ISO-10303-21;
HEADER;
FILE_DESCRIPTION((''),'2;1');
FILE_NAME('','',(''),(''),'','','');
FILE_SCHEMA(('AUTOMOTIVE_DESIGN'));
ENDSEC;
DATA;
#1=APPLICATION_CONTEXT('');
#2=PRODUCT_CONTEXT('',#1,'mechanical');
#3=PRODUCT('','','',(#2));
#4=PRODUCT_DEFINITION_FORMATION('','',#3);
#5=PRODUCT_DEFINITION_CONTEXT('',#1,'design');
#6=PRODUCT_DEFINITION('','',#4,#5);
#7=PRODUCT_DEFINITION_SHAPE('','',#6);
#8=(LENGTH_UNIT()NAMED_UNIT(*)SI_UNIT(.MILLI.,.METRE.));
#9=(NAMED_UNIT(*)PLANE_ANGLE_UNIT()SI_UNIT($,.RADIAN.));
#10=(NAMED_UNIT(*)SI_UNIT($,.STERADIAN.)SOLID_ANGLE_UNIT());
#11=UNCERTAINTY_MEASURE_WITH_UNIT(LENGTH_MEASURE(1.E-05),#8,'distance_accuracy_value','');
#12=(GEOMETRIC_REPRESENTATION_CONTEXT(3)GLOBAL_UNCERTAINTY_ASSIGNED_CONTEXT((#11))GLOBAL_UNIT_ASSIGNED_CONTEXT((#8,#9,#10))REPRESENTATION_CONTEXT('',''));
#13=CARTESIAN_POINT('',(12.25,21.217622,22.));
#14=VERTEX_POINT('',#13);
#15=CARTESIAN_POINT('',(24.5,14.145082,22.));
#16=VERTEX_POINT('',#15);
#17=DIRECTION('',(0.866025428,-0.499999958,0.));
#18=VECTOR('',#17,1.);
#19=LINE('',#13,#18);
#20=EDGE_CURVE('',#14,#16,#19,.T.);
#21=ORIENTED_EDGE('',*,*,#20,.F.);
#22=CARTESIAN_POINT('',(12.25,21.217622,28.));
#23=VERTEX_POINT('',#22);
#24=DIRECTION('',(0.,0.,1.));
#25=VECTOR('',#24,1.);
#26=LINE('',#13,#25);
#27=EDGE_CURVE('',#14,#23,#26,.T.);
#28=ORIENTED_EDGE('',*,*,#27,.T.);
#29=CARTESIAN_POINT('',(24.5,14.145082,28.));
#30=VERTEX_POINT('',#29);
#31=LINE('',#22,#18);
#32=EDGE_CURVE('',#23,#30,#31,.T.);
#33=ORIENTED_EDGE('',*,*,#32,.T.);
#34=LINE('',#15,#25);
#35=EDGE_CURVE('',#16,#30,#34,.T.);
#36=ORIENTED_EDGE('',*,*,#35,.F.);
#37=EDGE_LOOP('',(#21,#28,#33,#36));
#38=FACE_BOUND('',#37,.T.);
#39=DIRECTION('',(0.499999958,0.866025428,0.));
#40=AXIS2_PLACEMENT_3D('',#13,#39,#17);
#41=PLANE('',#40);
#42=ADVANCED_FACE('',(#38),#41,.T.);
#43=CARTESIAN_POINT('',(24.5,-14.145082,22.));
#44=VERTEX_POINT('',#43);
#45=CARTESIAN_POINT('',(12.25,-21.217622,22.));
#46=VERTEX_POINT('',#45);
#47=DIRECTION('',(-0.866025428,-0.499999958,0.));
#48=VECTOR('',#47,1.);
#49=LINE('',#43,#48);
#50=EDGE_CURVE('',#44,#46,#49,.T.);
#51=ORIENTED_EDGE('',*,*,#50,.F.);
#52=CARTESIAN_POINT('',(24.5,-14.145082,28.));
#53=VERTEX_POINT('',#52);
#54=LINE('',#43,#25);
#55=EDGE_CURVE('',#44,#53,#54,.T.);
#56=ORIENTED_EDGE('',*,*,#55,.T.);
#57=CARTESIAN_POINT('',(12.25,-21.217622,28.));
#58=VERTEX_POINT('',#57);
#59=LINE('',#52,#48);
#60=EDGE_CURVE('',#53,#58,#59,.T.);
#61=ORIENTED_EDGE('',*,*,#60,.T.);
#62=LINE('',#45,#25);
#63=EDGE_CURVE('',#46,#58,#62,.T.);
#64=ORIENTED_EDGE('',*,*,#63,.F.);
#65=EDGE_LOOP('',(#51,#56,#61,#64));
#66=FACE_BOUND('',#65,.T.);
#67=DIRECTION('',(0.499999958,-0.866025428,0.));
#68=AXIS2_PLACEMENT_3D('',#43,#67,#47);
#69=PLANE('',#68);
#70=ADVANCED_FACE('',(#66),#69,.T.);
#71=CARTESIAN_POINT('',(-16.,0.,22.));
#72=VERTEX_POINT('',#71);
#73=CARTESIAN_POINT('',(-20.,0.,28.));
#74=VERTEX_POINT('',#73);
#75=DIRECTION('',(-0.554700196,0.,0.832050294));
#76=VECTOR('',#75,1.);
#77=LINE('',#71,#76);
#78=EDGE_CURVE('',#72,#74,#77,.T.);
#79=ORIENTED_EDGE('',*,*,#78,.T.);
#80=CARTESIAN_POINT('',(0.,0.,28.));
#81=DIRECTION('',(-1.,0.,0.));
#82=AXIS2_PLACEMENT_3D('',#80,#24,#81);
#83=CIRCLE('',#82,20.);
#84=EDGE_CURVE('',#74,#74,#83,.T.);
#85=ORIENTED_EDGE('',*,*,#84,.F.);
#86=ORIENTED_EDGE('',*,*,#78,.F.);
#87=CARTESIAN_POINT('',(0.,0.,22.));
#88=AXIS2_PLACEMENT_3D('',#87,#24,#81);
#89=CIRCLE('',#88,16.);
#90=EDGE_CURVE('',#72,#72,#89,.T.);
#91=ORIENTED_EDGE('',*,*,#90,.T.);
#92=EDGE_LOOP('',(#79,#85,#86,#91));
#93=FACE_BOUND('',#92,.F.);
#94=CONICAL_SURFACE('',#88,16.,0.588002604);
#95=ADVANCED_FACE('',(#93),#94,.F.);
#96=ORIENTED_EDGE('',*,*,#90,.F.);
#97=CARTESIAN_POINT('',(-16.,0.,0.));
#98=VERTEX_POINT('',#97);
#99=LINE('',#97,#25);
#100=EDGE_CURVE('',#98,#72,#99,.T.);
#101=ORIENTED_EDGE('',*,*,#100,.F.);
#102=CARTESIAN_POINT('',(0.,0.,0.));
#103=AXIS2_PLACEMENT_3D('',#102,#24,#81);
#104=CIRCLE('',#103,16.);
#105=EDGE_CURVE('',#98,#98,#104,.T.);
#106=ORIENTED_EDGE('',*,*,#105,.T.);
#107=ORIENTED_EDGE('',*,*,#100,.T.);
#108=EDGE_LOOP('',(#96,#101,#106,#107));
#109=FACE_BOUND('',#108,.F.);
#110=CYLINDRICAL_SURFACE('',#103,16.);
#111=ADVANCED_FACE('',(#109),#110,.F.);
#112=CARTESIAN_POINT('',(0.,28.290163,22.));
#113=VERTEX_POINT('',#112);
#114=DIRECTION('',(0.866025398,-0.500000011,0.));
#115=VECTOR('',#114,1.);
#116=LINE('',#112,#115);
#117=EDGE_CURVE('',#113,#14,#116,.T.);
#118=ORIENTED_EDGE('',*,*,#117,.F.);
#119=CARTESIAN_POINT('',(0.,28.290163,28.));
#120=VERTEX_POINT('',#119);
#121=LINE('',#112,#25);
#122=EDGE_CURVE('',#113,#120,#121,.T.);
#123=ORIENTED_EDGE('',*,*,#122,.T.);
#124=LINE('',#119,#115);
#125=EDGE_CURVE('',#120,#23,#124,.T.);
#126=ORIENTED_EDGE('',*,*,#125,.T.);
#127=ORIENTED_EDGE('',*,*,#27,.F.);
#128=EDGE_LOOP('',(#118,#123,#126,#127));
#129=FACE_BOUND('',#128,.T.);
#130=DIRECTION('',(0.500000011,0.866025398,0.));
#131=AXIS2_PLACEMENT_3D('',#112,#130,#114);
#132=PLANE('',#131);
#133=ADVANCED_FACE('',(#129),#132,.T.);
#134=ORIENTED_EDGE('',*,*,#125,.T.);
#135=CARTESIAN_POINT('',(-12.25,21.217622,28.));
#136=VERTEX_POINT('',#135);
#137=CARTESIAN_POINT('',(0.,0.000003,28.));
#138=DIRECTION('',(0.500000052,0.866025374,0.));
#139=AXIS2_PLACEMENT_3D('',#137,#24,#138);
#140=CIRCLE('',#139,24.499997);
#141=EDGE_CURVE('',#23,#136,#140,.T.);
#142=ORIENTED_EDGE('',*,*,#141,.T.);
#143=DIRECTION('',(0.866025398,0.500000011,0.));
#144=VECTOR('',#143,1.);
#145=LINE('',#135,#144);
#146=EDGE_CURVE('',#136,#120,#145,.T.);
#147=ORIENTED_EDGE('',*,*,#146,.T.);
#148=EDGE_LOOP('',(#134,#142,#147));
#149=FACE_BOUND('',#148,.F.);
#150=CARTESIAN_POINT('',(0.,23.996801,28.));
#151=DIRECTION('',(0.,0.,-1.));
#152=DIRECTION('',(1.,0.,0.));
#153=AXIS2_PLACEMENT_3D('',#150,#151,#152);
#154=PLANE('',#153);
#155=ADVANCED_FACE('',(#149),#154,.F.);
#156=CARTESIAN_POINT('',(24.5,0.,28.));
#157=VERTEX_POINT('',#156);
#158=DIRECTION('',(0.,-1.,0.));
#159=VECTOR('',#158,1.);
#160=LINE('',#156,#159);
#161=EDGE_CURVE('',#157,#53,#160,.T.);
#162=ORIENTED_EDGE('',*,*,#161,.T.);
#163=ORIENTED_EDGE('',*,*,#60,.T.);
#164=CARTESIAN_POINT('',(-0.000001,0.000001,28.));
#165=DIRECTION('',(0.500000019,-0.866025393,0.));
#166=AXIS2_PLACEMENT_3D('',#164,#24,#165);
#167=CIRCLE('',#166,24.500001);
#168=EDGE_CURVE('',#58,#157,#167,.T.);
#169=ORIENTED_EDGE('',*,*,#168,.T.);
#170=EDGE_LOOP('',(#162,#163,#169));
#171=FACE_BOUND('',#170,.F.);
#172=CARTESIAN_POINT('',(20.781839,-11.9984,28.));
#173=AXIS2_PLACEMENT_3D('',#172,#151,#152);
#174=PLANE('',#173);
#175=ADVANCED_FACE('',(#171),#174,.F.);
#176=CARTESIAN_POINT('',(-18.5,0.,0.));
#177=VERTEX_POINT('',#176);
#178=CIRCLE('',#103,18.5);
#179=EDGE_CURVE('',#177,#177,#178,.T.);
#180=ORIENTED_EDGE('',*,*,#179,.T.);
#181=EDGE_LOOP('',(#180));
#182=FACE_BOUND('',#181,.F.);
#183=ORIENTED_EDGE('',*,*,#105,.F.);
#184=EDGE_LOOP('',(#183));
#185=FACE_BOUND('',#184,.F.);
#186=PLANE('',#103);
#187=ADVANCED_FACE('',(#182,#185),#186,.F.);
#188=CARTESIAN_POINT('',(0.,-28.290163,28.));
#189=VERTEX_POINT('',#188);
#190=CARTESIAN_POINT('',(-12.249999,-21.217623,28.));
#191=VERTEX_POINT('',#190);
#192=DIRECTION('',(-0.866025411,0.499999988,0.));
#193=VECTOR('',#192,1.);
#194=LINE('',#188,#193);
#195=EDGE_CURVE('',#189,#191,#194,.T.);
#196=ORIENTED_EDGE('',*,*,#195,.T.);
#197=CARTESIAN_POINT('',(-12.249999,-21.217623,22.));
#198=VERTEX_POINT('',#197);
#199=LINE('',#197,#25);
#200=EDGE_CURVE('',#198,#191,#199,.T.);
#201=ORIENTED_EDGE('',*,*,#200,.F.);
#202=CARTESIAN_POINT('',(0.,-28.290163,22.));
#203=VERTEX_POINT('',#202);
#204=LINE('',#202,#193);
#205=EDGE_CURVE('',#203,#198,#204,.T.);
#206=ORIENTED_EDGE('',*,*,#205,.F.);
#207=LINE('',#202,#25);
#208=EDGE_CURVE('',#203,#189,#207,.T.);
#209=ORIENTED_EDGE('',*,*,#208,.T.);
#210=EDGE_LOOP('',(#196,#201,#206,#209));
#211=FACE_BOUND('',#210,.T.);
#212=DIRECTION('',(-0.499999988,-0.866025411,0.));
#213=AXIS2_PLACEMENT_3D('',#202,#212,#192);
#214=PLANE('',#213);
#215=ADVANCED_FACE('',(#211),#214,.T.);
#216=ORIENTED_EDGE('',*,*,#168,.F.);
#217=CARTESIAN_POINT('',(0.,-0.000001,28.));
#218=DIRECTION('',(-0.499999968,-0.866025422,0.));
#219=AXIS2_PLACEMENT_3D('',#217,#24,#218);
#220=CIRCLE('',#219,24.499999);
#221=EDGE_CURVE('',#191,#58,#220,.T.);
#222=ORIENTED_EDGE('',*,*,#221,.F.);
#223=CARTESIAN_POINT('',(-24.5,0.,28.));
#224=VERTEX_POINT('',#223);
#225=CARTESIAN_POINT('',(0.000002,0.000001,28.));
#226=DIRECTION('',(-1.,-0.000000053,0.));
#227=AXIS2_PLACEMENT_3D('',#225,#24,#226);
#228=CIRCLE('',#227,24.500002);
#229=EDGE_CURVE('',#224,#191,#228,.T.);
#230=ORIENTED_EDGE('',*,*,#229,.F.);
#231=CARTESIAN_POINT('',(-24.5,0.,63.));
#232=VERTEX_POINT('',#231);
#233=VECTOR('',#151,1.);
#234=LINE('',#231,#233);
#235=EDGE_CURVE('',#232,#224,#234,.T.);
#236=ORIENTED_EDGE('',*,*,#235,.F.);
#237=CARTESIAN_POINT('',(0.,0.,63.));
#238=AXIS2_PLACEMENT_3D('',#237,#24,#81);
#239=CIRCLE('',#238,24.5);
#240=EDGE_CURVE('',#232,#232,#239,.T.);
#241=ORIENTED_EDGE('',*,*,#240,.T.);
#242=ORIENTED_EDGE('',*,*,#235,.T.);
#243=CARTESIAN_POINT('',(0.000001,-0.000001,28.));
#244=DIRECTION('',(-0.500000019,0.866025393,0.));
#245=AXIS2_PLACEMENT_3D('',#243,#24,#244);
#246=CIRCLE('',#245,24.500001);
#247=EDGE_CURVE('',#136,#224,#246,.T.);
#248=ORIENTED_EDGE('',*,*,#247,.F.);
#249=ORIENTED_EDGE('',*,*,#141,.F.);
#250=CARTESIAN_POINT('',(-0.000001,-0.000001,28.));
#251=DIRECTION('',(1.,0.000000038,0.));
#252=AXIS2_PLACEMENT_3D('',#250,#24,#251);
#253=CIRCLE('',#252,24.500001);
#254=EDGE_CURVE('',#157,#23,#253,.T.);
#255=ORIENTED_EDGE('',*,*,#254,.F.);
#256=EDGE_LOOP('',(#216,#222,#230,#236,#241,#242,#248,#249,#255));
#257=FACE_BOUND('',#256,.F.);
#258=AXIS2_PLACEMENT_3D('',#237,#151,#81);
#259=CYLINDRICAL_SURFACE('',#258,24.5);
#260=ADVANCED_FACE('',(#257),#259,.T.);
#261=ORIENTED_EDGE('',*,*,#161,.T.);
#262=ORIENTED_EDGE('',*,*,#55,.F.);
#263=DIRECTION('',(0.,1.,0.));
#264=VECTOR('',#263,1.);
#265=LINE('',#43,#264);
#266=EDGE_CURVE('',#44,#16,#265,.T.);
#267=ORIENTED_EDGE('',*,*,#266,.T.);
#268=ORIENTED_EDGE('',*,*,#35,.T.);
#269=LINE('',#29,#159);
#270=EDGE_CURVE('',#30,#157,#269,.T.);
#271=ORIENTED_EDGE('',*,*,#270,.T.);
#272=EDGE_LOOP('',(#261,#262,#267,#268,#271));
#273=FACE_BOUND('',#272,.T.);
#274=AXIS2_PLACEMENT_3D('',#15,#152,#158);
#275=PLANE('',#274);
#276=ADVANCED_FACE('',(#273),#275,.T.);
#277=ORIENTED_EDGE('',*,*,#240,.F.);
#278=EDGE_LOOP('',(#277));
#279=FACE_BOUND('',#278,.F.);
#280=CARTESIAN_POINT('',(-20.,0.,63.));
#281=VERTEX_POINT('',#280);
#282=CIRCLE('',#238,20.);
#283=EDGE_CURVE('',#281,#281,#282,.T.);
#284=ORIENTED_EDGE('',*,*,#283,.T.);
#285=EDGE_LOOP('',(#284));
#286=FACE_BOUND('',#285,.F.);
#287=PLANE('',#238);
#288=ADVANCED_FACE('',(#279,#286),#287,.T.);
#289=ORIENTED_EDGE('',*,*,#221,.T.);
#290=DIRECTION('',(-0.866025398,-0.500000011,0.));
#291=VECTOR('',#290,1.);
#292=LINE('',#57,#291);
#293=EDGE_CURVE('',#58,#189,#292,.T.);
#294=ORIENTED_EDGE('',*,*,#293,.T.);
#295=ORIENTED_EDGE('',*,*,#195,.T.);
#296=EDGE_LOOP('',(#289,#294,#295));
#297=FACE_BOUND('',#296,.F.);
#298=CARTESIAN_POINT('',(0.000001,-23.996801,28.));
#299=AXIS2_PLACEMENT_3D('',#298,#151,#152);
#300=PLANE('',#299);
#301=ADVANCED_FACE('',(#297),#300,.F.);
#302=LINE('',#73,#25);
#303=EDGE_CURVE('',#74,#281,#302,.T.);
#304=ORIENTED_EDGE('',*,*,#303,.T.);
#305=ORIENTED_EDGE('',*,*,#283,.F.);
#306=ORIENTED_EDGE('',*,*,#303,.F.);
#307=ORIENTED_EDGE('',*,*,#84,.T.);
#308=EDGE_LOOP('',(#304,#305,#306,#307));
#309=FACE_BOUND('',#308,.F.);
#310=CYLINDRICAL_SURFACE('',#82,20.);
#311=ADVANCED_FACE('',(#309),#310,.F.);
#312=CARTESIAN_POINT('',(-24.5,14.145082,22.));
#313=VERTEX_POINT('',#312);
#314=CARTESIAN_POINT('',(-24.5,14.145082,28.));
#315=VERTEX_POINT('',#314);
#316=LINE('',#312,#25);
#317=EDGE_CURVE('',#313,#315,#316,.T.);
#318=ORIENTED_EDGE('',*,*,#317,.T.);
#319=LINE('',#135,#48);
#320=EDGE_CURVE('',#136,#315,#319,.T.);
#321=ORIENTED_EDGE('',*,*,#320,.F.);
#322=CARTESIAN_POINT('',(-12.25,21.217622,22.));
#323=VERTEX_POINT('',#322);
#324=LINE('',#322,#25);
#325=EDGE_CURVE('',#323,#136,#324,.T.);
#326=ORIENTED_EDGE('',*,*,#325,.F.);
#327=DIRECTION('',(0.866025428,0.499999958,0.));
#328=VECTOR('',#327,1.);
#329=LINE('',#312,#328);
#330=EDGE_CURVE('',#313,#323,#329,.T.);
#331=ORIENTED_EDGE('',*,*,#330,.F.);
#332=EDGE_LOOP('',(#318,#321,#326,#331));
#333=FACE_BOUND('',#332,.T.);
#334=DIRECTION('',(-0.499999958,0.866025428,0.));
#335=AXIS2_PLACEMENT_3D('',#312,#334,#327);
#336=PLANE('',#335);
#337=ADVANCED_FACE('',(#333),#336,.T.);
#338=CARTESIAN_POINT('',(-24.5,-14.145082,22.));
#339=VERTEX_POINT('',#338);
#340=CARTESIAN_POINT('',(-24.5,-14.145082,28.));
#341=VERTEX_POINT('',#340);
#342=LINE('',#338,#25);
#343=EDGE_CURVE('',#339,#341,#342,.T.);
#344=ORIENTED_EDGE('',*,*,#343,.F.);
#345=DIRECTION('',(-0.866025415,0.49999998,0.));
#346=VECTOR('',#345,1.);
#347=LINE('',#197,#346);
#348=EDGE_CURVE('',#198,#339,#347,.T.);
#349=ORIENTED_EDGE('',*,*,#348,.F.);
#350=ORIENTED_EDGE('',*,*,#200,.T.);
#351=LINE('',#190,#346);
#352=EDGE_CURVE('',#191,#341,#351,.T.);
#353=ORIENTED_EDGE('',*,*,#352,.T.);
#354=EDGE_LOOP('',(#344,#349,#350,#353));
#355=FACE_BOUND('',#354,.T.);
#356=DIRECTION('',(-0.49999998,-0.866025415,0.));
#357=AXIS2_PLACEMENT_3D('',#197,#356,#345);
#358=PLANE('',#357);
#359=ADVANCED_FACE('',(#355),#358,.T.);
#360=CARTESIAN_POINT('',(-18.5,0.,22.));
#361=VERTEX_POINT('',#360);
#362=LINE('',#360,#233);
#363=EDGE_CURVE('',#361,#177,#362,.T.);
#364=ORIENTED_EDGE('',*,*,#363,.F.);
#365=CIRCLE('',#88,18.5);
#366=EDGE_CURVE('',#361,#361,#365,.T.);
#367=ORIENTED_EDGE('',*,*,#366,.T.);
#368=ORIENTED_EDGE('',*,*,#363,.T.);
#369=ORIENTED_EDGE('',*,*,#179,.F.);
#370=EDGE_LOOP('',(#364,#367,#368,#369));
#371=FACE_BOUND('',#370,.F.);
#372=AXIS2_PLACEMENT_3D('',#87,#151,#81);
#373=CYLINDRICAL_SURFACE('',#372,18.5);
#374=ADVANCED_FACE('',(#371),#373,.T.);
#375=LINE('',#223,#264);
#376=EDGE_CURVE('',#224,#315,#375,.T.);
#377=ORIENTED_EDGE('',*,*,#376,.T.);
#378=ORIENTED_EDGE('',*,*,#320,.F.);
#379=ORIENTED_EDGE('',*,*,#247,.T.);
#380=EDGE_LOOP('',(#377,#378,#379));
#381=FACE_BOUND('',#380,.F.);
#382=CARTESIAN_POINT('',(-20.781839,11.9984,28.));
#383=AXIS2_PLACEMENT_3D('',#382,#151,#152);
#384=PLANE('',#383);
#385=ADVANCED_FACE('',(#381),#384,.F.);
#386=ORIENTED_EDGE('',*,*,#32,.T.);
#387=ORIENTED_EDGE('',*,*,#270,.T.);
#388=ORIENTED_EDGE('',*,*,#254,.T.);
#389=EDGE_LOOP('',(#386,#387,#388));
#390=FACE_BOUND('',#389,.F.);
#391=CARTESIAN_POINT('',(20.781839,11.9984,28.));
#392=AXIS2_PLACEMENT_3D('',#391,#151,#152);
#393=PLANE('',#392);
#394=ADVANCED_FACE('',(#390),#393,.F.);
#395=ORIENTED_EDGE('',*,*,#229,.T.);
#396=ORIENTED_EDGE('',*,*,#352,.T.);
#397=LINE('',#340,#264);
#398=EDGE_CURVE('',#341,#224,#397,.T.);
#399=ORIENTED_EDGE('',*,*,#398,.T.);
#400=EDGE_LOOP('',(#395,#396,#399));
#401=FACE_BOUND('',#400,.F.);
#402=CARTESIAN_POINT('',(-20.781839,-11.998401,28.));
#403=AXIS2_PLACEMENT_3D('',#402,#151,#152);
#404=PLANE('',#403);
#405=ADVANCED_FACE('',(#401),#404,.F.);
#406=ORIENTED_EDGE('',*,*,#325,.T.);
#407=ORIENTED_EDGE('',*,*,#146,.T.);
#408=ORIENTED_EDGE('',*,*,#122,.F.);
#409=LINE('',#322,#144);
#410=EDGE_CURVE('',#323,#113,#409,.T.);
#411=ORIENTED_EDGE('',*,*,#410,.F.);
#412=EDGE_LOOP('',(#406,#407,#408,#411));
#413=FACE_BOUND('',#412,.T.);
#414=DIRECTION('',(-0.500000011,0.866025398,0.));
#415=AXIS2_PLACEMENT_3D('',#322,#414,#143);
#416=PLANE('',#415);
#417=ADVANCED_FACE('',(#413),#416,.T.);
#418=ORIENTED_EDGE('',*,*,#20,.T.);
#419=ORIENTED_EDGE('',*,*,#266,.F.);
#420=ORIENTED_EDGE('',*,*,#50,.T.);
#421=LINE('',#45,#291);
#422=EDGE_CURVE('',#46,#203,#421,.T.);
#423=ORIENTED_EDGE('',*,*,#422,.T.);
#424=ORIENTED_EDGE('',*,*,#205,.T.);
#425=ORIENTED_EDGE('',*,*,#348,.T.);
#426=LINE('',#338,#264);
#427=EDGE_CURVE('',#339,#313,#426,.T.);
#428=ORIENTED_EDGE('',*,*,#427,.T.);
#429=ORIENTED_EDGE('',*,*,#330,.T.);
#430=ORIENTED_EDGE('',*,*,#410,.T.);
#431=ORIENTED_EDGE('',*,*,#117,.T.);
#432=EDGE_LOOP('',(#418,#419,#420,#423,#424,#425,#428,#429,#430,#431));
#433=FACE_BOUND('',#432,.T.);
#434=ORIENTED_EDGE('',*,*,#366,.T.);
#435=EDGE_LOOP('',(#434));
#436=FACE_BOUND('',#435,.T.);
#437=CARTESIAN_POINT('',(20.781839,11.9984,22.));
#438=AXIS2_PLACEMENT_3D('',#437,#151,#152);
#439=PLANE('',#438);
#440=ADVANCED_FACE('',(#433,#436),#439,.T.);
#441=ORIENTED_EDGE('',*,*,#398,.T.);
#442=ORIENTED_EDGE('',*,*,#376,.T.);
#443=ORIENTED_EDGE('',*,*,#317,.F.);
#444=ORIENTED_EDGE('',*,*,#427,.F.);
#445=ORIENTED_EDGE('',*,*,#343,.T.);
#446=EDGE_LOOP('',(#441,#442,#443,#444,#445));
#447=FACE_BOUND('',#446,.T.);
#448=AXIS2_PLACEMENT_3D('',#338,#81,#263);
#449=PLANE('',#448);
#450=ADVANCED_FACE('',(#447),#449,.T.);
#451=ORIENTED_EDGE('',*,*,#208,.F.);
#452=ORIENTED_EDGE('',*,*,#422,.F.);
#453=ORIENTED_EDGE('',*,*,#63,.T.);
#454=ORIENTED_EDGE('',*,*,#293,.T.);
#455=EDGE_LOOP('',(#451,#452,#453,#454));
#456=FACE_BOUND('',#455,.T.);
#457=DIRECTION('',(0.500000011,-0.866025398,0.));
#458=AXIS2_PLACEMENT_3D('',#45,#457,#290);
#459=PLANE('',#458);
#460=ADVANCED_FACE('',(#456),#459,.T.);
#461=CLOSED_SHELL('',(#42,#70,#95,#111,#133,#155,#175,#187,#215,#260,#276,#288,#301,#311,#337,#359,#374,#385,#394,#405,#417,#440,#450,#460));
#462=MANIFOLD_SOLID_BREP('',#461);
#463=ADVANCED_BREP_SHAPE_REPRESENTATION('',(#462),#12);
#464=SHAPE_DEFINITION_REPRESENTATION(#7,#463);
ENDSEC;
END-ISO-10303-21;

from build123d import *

# Parameters (mm, degrees)
F3_DEPTH = 6


with BuildPart() as f1:
    # F0 (on Front) → F1 (revolve)
    with BuildSketch(Plane.XZ):
        Polygon((-18.5, 0), (-16, 0), (-16, 22), (-20, 28), (-20, 63), (-24.5, 63), (-24.5, 28), (-24.5, 22), (-18.5, 22), align=None)
    revolve(axis=Axis((0, 0, 64.797089), (0, 0, 1)))

    # F2 (on face) → F3 (join)
    with BuildSketch(Plane(origin=(0, 0, 22), x_dir=(1, 0, 0), z_dir=(0, 0, -1))):
        with BuildLine():
            Line((24.5, -14.145082), (24.5, 0))
            ThreePointArc((24.5, 0), (21.217622, -12.25), (12.25, -21.217622))
            Line((12.25, -21.217622), (24.5, -14.145082))
        make_face()
        with BuildLine():
            ThreePointArc((12.25, 21.217622), (21.217622, 12.25), (24.5, 0))
            Line((24.5, 0), (24.5, 14.145082))
            Line((24.5, 14.145082), (12.25, 21.217622))
        make_face()
        with BuildLine():
            ThreePointArc((-12.249999, 21.217623), (0, 24.5), (12.25, 21.217622))
            Line((12.25, 21.217622), (0, 28.290163))
            Line((0, 28.290163), (-12.249999, 21.217623))
        make_face()
        with BuildLine():
            Line((0, -28.290163), (12.25, -21.217622))
            ThreePointArc((12.25, -21.217622), (0, -24.5), (-12.25, -21.217622))
            Line((-12.25, -21.217622), (0, -28.290163))
        make_face()
        with BuildLine():
            ThreePointArc((-24.5, 0), (-21.217622, 12.25), (-12.249999, 21.217623))
            Line((-12.249999, 21.217623), (-24.5, 14.145082))
            Line((-24.5, 14.145082), (-24.5, 0))
        make_face()
        with BuildLine():
            Line((-24.5, -14.145082), (-12.25, -21.217622))
            ThreePointArc((-12.25, -21.217622), (-21.217622, -12.25), (-24.5, 0))
            Line((-24.5, 0), (-24.5, -14.145082))
        make_face()
    extrude(amount=-F3_DEPTH)

    # F4 (on Front) → F5 (revolve, cut)
    with BuildSketch(Plane.XZ):
        Polygon((-20, 28), (-16, 22), (0, 22), (0, 28), (-12.25, 28), align=None)
    revolve(axis=Axis((0, 0, 34.552477), (0, 0, 1)), mode=Mode.SUBTRACT)


solid = f1.part
